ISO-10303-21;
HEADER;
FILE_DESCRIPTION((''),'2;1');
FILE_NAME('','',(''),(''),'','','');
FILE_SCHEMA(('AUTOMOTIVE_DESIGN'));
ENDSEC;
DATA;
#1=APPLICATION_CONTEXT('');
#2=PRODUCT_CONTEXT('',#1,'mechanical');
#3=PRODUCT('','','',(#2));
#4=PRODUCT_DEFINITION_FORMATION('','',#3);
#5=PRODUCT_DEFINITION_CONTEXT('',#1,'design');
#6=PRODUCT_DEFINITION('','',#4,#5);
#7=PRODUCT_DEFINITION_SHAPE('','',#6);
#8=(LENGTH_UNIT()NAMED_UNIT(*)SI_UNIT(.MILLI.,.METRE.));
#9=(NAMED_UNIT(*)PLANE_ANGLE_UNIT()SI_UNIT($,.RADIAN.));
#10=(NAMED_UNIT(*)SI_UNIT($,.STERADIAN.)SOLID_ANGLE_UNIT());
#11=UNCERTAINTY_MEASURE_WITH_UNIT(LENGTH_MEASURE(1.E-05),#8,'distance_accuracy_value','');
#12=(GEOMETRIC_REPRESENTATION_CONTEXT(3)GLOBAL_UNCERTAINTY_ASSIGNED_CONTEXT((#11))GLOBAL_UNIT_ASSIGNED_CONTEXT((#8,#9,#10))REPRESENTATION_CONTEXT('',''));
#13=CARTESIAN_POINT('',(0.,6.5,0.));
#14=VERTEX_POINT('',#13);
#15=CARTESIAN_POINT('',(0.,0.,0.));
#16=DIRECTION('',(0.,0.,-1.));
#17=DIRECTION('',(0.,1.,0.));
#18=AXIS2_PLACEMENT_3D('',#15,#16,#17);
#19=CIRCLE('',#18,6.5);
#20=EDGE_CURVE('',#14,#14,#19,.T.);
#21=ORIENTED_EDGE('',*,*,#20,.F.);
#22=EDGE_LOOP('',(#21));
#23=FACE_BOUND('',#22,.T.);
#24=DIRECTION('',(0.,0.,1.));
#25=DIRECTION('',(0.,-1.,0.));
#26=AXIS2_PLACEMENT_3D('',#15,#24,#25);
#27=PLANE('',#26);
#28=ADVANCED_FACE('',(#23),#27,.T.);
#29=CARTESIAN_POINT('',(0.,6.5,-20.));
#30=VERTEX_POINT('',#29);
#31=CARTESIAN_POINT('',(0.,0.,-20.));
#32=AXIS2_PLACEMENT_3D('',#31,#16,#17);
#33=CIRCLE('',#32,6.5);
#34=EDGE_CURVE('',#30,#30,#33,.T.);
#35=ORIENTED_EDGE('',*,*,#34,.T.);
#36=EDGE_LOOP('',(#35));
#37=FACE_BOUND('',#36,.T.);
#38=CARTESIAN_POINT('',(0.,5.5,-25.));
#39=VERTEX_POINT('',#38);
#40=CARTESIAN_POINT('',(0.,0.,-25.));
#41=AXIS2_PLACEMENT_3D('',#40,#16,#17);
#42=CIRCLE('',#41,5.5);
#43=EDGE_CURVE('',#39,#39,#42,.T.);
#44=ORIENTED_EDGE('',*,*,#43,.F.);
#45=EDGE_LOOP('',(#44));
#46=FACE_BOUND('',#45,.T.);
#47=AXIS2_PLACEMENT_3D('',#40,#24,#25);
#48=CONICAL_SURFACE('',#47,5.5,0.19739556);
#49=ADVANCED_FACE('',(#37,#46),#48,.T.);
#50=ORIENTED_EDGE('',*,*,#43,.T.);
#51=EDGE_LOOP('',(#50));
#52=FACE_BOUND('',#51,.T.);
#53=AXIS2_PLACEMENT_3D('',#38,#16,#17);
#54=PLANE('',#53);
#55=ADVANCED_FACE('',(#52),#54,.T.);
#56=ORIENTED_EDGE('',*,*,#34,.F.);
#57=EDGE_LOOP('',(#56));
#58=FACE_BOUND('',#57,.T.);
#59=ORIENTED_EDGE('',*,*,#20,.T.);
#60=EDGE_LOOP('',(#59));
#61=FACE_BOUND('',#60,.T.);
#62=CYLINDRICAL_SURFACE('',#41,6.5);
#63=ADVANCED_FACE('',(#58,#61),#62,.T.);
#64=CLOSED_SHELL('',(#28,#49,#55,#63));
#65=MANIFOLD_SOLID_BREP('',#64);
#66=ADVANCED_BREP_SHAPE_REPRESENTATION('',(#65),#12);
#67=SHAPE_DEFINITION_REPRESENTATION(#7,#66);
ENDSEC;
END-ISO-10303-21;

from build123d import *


with BuildPart() as part:
    # Sketch1 → Revolve1 (revolve)
    with BuildSketch(Plane(origin=(0, 0, 0), x_dir=(0, 0, -1), z_dir=(1, 0, 0))):
        Polygon((0, 0), (0, 6.5), (20, 6.5), (25, 5.5), (25, 0), align=None)
    revolve(axis=Axis((0, 0, -25), (0, 0, 1)))


solid = part.part
